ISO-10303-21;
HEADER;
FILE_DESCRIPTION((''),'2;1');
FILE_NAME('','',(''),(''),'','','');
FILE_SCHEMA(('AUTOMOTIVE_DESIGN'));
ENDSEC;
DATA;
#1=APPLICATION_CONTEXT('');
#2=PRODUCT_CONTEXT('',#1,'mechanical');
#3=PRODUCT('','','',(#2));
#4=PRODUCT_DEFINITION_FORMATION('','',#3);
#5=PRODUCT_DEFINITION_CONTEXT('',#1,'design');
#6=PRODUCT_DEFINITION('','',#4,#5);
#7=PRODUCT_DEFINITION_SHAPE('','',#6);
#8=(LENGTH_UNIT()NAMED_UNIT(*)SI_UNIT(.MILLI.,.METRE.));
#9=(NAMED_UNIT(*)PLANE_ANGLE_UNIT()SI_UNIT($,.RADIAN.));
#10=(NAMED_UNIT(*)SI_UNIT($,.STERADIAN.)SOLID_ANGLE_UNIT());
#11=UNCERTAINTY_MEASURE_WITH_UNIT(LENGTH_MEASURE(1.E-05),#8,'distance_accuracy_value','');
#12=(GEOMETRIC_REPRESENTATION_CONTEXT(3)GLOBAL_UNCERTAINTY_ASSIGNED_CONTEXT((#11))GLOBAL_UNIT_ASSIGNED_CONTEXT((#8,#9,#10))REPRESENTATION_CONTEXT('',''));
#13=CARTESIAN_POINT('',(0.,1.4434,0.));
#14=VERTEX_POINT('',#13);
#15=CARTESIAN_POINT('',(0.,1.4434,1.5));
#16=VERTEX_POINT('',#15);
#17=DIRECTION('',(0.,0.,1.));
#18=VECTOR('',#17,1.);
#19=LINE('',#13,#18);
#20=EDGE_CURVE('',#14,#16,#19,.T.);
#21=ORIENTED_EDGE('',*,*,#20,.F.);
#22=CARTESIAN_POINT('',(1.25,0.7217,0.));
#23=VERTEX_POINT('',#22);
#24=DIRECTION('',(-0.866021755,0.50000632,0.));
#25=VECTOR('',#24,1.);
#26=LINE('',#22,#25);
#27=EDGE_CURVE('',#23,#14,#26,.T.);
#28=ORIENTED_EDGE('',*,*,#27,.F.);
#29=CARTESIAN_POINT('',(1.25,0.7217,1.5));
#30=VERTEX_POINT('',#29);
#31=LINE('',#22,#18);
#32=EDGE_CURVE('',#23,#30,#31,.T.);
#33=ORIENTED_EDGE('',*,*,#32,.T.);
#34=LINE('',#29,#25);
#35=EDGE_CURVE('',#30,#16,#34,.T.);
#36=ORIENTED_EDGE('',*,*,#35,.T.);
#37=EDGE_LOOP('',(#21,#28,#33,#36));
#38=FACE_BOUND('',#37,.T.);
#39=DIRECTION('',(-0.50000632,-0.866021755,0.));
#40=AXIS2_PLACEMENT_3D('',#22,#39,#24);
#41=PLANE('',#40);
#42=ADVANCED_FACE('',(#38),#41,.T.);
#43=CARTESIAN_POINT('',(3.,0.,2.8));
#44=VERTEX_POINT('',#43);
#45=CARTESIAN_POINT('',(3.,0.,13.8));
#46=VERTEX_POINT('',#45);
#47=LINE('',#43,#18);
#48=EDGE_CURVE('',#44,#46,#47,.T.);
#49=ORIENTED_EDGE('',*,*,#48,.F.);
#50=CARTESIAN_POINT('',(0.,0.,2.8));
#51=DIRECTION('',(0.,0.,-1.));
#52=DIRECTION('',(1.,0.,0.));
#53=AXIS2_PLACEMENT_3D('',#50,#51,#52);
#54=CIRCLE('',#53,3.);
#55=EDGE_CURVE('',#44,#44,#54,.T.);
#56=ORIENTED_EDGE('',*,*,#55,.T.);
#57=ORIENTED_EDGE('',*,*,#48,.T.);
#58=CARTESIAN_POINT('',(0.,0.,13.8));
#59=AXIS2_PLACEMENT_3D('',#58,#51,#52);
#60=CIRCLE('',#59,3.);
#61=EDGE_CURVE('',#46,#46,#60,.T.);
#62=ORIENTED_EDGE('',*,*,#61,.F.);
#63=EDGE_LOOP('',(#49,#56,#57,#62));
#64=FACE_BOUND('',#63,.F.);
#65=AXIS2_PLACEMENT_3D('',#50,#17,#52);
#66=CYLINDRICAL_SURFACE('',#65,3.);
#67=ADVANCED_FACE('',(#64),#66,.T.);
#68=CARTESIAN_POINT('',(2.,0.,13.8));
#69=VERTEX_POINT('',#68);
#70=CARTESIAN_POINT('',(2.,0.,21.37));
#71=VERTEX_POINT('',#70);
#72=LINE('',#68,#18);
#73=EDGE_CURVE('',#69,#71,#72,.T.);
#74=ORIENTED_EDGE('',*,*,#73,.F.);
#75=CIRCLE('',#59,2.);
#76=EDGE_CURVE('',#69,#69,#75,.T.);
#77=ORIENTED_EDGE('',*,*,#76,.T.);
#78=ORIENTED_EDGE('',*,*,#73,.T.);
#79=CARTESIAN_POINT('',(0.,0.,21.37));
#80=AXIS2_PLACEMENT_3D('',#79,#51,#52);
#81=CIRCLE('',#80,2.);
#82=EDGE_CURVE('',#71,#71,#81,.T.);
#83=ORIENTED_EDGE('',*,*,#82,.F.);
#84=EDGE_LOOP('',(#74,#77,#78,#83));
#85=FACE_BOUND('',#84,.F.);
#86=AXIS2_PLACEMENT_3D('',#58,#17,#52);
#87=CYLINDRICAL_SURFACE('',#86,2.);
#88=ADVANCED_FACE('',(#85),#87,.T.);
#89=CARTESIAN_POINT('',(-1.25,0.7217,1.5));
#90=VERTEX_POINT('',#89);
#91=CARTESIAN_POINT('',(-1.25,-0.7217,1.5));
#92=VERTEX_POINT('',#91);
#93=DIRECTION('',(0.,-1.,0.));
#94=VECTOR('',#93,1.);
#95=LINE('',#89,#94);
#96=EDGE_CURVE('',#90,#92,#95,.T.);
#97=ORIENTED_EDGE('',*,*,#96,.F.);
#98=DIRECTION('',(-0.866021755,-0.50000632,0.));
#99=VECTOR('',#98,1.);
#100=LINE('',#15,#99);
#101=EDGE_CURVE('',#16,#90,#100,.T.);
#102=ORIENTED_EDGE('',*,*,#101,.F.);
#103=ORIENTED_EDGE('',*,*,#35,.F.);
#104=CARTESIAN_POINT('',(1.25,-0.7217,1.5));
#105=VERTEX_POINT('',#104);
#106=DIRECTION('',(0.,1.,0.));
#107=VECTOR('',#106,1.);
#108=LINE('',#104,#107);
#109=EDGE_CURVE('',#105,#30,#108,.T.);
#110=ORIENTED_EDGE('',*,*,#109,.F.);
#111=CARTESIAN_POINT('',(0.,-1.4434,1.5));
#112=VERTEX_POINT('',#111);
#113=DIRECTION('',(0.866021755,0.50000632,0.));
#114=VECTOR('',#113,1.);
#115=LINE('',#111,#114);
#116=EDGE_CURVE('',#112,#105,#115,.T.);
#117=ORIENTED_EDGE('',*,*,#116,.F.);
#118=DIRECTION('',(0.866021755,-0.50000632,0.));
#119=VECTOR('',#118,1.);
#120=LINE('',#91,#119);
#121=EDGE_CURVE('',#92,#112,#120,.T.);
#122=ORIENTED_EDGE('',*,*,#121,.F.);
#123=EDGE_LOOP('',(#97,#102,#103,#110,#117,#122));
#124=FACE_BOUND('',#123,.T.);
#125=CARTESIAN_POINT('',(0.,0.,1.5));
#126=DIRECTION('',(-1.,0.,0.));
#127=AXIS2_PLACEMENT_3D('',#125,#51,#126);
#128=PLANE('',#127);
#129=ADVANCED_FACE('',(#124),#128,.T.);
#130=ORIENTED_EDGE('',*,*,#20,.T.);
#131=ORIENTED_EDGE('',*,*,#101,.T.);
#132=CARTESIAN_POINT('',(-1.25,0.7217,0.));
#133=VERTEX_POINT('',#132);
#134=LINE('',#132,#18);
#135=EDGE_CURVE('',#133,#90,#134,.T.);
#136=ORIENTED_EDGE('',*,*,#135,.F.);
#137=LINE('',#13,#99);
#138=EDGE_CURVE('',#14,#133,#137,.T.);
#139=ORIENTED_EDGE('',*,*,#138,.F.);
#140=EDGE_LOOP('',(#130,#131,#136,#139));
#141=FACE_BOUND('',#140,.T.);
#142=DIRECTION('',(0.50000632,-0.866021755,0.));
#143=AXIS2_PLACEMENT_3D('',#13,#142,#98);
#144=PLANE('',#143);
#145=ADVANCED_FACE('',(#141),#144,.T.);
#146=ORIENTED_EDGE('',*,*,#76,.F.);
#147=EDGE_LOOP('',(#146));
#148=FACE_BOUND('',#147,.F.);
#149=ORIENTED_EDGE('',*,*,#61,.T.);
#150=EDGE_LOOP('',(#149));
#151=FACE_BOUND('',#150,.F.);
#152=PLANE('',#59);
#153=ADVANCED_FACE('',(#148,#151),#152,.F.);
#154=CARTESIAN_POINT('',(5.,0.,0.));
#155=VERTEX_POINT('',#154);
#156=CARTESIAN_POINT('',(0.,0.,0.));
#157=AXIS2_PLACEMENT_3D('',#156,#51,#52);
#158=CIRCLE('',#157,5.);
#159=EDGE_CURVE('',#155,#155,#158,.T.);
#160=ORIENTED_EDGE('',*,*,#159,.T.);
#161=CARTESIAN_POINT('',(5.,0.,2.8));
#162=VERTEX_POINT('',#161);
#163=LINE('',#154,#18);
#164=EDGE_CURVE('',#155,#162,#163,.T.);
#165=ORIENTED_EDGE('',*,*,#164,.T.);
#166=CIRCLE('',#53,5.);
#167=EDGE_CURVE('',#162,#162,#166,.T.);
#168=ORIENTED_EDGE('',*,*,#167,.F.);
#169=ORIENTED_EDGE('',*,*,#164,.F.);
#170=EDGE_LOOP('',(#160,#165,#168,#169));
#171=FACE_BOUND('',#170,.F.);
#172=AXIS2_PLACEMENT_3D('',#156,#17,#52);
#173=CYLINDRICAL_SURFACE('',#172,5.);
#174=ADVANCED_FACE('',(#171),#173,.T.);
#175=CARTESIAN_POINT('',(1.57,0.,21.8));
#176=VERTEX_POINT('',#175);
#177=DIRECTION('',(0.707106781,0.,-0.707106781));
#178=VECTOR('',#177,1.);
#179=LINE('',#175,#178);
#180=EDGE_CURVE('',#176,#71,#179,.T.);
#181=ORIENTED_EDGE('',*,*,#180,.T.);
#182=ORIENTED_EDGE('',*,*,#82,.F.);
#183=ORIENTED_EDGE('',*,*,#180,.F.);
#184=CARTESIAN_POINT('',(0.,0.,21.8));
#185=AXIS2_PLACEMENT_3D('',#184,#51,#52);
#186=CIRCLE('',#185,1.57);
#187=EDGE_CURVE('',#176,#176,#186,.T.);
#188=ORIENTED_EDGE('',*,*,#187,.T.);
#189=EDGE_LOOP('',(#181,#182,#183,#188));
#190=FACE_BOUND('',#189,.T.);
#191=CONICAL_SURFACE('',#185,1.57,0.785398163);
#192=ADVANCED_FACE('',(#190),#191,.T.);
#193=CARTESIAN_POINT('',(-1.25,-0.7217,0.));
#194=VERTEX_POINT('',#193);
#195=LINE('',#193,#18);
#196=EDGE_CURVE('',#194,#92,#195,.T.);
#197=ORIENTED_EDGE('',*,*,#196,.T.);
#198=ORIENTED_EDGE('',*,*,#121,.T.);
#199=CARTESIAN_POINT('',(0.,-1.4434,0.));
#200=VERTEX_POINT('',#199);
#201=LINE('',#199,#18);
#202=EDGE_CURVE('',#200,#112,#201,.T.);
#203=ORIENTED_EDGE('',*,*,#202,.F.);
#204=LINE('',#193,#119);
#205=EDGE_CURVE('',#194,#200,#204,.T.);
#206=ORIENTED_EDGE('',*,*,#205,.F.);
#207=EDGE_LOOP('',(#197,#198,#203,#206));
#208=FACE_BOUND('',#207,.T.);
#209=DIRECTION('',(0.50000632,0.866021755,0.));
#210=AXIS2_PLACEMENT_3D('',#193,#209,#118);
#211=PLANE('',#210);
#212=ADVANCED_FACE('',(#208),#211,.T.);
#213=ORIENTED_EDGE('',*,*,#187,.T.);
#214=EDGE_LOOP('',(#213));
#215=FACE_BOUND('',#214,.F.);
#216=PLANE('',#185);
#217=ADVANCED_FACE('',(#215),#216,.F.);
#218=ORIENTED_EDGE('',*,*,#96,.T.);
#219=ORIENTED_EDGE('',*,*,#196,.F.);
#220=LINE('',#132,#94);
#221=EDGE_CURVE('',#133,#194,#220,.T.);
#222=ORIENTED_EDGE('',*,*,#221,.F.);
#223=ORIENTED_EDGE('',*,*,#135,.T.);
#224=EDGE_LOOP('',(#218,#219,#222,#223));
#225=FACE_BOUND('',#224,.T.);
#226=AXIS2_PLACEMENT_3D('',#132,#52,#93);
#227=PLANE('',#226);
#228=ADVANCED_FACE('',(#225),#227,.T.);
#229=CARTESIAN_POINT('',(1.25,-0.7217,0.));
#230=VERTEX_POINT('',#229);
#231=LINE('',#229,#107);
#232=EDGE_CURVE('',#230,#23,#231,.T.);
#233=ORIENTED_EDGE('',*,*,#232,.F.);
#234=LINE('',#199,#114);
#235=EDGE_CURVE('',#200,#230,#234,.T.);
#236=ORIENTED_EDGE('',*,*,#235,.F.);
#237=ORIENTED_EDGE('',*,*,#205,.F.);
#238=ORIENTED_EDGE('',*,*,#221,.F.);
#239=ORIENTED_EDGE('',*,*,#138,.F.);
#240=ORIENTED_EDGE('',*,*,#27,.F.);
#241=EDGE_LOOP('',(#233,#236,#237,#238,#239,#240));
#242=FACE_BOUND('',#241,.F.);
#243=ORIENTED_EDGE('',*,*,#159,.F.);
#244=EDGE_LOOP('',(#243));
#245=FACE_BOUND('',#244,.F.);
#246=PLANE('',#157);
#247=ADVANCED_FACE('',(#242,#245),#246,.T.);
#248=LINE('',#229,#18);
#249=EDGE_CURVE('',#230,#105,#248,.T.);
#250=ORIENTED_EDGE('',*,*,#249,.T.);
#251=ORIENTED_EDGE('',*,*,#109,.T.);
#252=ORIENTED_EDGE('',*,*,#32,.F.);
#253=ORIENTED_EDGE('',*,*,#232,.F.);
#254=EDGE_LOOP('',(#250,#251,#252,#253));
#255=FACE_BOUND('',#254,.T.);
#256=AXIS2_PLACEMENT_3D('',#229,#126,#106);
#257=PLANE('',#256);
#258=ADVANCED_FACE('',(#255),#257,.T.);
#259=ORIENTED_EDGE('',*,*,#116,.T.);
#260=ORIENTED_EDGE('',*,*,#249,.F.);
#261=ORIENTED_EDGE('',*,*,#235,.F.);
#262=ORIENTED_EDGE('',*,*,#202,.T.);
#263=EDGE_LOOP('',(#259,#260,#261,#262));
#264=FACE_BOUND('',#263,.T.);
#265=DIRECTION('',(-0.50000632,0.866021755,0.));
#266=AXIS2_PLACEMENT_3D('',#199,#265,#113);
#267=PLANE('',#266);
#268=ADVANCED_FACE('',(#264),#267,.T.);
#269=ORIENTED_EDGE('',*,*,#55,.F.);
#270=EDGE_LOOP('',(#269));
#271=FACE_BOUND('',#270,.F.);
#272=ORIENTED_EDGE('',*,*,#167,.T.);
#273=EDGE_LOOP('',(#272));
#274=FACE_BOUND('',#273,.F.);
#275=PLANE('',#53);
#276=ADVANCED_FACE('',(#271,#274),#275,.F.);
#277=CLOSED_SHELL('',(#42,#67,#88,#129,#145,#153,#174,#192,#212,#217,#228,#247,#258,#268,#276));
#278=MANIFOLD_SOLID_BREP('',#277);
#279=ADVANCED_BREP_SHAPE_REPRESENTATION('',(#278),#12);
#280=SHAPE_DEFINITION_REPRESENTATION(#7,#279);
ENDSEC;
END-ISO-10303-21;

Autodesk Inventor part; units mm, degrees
ref_plane "YZ Plane" through (0, 0, 0) normal (1, 0, 0) x (0, 1, 0)
ref_plane "XZ Plane" through (0, 0, 0) normal (0, 1, 0) x (-1, 0, 0)
ref_plane "XY Plane" through (0, 0, 0) normal (0, 0, 1) x (1, 0, 0)
sketch "スケッチ1" plane through (0, 0, 0) normal (0, 1, 0) x (-1, 0, 0)
  line L0 (0, 0) -> (-5, 0)
  line L1 (-5, 0) -> (-5, 2.8)
  line L2 (-5, 2.8) -> (-3, 2.8)
  line L3 (-3, 2.8) -> (-3, 13.8)
  line L4 (-3, 13.8) -> (-2, 13.8)
  line L5 (-2, 13.8) -> (-2, 21.37)
  line L6 (-1.57, 21.8) -> (0, 21.8)
  line L7 (0, 21.8) -> (0, 0)
  line L8 (-1.57, 21.8) -> (-2, 21.37)
  point P0 (-2, 21.8)
  dimension "d0" = 8
  dimension "d1" = 11
  dimension "d2" = 2.8
  dimension "d3" = 0.43
  dimension "d4" = 0.43
  dimension "d5" = 4
  dimension "d6" = 10
  dimension "d7" = 6
revolve "回転1" add sketch "スケッチ1" angle 360 about axis through (0, 0, 21.8) along (0, 0, -1)
thread "ねじ1" size "M4x0.7" class "6g" standard "ANSI Metric M Profile" length 7.57 offset 1.2
sketch "スケッチ2" plane through (0, 0, 0) normal (0, 0, -1) x (-1, 0, 0)
  line L0 (0, -1.4434) -> (-1.25, -0.7217)
  line L1 (-1.25, -0.7217) -> (-1.25, 0.7217)
  line L2 (-1.25, 0.7217) -> (0, 1.4434)
  line L3 (0, 1.4434) -> (1.25, 0.7217)
  line L4 (1.25, 0.7217) -> (1.25, -0.7217)
  line L5 (1.25, -0.7217) -> (0, -1.4434)
  point P0 (0, 0)
  point P1 (0, 0)
  dimension "d11" = 2.5
extrude "押し出し1" cut sketch "スケッチ2" against normal blind 1.5
equation "\"d4\" = d3"
properties part number "DBTS4-11-8" material "ステンレス鋼 AISI 304"
